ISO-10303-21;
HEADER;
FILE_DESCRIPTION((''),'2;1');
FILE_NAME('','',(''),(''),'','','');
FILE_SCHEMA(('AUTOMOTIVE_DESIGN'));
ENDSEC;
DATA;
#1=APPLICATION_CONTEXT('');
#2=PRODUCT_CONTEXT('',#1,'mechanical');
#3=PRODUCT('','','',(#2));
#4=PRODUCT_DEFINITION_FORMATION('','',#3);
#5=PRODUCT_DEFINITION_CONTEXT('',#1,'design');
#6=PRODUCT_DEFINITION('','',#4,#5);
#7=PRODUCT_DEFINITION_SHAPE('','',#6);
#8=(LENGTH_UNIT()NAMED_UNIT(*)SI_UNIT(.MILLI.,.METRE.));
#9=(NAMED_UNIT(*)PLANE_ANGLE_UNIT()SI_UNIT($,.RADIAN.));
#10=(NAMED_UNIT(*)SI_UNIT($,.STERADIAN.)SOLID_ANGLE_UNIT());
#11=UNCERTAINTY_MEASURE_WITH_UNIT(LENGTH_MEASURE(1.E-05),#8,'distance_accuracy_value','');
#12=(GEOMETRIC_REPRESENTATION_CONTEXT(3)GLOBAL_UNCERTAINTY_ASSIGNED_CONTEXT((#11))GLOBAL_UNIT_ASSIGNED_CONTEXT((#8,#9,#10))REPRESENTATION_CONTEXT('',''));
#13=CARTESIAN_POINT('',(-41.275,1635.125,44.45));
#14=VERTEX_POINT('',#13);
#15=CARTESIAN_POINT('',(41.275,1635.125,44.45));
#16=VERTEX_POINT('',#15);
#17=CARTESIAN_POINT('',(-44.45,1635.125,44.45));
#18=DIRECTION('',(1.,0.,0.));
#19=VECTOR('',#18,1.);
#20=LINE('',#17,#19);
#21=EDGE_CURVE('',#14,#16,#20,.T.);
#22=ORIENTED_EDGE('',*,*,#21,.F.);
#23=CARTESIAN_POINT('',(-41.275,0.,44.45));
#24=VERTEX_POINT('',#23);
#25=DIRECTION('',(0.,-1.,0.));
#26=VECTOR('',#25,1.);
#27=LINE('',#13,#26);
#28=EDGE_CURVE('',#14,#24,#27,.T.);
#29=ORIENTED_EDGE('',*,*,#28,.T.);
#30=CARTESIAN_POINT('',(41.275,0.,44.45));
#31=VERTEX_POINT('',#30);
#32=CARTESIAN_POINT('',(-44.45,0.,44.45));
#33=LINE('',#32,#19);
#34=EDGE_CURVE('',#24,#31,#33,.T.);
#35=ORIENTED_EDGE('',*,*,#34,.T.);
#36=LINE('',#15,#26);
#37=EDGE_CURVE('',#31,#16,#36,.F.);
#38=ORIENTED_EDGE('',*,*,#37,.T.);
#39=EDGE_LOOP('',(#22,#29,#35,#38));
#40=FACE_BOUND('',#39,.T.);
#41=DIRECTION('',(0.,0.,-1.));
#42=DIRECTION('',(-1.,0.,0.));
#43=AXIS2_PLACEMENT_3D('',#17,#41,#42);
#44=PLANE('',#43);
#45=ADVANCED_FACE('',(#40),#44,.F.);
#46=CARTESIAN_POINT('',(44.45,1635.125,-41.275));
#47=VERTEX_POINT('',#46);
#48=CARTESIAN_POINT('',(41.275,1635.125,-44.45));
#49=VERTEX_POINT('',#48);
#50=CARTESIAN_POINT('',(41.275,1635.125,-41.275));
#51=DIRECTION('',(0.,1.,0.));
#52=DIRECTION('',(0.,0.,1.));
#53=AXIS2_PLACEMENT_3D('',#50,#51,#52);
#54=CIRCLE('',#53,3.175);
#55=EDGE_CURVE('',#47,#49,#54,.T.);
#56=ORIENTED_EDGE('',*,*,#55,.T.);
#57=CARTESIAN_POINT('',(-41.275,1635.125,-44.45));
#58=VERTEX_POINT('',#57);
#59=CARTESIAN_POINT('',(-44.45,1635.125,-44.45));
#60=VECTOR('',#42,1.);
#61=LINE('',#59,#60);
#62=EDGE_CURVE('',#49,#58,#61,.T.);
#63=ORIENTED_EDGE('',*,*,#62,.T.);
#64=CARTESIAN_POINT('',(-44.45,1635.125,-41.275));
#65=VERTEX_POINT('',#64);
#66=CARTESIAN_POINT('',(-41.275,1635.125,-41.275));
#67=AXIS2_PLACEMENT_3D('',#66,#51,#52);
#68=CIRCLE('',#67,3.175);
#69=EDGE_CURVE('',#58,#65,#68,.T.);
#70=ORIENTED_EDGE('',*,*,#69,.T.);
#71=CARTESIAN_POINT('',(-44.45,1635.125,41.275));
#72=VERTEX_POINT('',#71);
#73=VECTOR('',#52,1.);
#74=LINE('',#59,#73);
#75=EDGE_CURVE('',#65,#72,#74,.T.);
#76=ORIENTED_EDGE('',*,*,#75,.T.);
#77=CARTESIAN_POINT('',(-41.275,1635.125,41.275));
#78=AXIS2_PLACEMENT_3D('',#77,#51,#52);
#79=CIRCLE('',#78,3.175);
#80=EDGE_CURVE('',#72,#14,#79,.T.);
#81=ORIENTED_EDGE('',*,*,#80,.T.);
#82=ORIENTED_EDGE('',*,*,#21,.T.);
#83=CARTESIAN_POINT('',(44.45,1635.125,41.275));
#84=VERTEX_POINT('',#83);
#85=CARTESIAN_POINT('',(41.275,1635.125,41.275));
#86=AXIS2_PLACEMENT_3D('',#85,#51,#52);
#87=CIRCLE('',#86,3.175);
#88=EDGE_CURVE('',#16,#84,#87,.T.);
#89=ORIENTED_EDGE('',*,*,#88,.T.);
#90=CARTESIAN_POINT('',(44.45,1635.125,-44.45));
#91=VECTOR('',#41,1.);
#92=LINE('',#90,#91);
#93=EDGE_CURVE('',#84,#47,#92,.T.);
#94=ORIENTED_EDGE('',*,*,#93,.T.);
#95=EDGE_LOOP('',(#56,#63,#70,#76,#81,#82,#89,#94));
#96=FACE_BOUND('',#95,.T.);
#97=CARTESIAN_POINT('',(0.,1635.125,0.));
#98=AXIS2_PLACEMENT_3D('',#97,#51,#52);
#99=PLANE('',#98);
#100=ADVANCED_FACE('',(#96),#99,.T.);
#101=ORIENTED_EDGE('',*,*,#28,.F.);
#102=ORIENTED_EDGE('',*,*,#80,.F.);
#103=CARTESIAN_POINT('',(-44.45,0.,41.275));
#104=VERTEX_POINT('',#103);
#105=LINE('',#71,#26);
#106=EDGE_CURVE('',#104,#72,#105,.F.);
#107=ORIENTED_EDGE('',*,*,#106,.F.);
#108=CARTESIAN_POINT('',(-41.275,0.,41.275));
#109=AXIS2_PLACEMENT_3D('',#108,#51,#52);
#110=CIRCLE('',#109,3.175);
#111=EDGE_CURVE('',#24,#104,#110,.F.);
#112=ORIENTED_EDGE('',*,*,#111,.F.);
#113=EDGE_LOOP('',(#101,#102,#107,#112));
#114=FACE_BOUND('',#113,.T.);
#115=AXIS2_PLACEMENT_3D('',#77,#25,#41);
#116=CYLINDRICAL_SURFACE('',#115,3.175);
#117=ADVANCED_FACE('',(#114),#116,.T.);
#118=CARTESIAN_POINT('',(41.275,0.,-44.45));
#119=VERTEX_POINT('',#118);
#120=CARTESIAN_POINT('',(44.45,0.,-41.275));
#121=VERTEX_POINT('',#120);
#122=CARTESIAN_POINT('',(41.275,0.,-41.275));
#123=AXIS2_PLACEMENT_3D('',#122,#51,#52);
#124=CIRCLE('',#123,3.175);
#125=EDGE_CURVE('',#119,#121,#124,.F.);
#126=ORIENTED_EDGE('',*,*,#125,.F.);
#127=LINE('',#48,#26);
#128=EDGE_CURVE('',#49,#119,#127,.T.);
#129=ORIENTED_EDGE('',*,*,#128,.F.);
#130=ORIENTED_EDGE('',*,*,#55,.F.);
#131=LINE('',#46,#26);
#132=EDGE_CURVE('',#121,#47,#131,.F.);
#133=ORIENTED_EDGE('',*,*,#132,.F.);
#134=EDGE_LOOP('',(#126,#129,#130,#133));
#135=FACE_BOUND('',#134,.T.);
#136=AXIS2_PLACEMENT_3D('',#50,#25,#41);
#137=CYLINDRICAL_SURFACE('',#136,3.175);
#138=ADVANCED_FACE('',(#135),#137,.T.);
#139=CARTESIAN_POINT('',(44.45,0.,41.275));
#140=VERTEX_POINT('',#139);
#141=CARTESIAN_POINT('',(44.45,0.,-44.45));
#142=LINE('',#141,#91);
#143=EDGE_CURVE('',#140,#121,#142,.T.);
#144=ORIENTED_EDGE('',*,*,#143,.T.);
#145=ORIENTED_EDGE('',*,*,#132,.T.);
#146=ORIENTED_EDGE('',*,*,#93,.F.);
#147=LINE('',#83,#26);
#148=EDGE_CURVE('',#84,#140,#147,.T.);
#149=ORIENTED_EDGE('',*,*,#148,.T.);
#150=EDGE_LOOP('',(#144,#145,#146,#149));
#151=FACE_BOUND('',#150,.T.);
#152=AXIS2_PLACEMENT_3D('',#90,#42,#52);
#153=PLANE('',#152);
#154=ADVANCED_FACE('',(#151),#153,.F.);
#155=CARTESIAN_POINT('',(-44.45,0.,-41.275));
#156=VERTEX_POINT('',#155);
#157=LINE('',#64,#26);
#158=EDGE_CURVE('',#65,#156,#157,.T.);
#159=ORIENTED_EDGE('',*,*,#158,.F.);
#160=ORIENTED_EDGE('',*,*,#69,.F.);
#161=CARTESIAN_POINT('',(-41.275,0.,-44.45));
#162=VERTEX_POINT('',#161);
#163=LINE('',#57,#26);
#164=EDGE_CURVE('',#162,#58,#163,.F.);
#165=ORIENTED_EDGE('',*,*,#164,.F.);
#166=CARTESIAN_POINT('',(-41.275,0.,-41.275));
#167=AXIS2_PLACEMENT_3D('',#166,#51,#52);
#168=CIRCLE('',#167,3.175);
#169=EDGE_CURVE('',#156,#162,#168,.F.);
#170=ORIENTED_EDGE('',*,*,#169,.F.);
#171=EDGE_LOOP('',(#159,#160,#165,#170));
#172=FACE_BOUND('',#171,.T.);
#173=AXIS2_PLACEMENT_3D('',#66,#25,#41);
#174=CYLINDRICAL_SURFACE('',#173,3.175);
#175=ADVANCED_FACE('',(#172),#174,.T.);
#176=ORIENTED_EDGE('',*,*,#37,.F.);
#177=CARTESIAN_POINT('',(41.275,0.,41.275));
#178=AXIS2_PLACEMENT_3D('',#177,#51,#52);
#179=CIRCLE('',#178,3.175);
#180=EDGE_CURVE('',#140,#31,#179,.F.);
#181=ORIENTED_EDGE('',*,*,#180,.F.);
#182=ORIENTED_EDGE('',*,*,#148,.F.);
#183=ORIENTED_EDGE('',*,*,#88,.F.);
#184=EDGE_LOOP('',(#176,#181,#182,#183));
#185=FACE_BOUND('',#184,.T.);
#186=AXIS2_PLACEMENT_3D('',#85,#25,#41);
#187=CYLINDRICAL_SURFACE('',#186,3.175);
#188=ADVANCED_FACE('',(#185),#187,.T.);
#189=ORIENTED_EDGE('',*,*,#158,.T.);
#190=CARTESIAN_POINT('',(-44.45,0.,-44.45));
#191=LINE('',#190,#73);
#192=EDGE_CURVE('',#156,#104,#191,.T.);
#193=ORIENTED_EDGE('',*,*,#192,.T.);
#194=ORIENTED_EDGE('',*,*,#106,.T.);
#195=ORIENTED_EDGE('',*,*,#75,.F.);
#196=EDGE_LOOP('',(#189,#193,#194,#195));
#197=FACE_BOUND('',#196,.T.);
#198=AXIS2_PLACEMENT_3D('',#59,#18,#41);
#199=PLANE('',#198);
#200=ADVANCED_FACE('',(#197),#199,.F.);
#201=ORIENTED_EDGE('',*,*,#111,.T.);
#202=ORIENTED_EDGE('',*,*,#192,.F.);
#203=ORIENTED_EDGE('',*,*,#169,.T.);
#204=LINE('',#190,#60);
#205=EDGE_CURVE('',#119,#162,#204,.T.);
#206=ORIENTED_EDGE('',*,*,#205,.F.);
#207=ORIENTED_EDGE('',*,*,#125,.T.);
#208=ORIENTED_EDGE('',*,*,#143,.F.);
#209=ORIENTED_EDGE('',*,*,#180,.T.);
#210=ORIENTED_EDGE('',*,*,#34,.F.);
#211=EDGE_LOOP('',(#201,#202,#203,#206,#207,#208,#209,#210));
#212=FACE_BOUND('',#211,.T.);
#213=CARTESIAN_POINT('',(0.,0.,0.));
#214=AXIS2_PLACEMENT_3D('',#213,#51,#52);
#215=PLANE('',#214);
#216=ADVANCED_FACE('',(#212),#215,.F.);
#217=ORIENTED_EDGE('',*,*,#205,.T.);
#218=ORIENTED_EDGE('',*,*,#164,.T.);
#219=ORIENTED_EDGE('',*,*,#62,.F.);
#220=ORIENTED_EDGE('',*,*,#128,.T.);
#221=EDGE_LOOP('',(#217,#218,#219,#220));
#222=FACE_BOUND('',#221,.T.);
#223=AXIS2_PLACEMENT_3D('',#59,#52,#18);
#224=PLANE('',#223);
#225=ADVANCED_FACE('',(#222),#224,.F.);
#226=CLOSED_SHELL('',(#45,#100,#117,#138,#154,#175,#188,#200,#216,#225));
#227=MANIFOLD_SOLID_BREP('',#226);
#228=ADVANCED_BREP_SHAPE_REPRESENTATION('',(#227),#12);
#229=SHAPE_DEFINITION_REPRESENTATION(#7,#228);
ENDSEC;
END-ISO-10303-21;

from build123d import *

# Parameters (mm, degrees)
SKETCH1_W           = 88.9
SKETCH1_H           = 88.9
BOSS_EXTRUDE1_DEPTH = 1635.125
FILLET1_R           = 3.175


with BuildPart() as part:
    # Sketch1 → Boss-Extrude1 (new body)
    with BuildSketch(Plane(origin=(0, 0, 0), x_dir=(1, 0, 0), z_dir=(0, 1, 0))):
        Rectangle(SKETCH1_W, SKETCH1_H)
    extrude(amount=BOSS_EXTRUDE1_DEPTH)

    # Fillet1
    fillet1_edges = [part.edges().sort_by_distance(p)[0] for p in [
        (44.45, 817.5625, 44.45),
        (-44.45, 817.5625, 44.45),
        (-44.45, 817.5625, -44.45),
        (44.45, 817.5625, -44.45),
    ]]
    fillet(fillet1_edges, radius=FILLET1_R)


solid = part.part
